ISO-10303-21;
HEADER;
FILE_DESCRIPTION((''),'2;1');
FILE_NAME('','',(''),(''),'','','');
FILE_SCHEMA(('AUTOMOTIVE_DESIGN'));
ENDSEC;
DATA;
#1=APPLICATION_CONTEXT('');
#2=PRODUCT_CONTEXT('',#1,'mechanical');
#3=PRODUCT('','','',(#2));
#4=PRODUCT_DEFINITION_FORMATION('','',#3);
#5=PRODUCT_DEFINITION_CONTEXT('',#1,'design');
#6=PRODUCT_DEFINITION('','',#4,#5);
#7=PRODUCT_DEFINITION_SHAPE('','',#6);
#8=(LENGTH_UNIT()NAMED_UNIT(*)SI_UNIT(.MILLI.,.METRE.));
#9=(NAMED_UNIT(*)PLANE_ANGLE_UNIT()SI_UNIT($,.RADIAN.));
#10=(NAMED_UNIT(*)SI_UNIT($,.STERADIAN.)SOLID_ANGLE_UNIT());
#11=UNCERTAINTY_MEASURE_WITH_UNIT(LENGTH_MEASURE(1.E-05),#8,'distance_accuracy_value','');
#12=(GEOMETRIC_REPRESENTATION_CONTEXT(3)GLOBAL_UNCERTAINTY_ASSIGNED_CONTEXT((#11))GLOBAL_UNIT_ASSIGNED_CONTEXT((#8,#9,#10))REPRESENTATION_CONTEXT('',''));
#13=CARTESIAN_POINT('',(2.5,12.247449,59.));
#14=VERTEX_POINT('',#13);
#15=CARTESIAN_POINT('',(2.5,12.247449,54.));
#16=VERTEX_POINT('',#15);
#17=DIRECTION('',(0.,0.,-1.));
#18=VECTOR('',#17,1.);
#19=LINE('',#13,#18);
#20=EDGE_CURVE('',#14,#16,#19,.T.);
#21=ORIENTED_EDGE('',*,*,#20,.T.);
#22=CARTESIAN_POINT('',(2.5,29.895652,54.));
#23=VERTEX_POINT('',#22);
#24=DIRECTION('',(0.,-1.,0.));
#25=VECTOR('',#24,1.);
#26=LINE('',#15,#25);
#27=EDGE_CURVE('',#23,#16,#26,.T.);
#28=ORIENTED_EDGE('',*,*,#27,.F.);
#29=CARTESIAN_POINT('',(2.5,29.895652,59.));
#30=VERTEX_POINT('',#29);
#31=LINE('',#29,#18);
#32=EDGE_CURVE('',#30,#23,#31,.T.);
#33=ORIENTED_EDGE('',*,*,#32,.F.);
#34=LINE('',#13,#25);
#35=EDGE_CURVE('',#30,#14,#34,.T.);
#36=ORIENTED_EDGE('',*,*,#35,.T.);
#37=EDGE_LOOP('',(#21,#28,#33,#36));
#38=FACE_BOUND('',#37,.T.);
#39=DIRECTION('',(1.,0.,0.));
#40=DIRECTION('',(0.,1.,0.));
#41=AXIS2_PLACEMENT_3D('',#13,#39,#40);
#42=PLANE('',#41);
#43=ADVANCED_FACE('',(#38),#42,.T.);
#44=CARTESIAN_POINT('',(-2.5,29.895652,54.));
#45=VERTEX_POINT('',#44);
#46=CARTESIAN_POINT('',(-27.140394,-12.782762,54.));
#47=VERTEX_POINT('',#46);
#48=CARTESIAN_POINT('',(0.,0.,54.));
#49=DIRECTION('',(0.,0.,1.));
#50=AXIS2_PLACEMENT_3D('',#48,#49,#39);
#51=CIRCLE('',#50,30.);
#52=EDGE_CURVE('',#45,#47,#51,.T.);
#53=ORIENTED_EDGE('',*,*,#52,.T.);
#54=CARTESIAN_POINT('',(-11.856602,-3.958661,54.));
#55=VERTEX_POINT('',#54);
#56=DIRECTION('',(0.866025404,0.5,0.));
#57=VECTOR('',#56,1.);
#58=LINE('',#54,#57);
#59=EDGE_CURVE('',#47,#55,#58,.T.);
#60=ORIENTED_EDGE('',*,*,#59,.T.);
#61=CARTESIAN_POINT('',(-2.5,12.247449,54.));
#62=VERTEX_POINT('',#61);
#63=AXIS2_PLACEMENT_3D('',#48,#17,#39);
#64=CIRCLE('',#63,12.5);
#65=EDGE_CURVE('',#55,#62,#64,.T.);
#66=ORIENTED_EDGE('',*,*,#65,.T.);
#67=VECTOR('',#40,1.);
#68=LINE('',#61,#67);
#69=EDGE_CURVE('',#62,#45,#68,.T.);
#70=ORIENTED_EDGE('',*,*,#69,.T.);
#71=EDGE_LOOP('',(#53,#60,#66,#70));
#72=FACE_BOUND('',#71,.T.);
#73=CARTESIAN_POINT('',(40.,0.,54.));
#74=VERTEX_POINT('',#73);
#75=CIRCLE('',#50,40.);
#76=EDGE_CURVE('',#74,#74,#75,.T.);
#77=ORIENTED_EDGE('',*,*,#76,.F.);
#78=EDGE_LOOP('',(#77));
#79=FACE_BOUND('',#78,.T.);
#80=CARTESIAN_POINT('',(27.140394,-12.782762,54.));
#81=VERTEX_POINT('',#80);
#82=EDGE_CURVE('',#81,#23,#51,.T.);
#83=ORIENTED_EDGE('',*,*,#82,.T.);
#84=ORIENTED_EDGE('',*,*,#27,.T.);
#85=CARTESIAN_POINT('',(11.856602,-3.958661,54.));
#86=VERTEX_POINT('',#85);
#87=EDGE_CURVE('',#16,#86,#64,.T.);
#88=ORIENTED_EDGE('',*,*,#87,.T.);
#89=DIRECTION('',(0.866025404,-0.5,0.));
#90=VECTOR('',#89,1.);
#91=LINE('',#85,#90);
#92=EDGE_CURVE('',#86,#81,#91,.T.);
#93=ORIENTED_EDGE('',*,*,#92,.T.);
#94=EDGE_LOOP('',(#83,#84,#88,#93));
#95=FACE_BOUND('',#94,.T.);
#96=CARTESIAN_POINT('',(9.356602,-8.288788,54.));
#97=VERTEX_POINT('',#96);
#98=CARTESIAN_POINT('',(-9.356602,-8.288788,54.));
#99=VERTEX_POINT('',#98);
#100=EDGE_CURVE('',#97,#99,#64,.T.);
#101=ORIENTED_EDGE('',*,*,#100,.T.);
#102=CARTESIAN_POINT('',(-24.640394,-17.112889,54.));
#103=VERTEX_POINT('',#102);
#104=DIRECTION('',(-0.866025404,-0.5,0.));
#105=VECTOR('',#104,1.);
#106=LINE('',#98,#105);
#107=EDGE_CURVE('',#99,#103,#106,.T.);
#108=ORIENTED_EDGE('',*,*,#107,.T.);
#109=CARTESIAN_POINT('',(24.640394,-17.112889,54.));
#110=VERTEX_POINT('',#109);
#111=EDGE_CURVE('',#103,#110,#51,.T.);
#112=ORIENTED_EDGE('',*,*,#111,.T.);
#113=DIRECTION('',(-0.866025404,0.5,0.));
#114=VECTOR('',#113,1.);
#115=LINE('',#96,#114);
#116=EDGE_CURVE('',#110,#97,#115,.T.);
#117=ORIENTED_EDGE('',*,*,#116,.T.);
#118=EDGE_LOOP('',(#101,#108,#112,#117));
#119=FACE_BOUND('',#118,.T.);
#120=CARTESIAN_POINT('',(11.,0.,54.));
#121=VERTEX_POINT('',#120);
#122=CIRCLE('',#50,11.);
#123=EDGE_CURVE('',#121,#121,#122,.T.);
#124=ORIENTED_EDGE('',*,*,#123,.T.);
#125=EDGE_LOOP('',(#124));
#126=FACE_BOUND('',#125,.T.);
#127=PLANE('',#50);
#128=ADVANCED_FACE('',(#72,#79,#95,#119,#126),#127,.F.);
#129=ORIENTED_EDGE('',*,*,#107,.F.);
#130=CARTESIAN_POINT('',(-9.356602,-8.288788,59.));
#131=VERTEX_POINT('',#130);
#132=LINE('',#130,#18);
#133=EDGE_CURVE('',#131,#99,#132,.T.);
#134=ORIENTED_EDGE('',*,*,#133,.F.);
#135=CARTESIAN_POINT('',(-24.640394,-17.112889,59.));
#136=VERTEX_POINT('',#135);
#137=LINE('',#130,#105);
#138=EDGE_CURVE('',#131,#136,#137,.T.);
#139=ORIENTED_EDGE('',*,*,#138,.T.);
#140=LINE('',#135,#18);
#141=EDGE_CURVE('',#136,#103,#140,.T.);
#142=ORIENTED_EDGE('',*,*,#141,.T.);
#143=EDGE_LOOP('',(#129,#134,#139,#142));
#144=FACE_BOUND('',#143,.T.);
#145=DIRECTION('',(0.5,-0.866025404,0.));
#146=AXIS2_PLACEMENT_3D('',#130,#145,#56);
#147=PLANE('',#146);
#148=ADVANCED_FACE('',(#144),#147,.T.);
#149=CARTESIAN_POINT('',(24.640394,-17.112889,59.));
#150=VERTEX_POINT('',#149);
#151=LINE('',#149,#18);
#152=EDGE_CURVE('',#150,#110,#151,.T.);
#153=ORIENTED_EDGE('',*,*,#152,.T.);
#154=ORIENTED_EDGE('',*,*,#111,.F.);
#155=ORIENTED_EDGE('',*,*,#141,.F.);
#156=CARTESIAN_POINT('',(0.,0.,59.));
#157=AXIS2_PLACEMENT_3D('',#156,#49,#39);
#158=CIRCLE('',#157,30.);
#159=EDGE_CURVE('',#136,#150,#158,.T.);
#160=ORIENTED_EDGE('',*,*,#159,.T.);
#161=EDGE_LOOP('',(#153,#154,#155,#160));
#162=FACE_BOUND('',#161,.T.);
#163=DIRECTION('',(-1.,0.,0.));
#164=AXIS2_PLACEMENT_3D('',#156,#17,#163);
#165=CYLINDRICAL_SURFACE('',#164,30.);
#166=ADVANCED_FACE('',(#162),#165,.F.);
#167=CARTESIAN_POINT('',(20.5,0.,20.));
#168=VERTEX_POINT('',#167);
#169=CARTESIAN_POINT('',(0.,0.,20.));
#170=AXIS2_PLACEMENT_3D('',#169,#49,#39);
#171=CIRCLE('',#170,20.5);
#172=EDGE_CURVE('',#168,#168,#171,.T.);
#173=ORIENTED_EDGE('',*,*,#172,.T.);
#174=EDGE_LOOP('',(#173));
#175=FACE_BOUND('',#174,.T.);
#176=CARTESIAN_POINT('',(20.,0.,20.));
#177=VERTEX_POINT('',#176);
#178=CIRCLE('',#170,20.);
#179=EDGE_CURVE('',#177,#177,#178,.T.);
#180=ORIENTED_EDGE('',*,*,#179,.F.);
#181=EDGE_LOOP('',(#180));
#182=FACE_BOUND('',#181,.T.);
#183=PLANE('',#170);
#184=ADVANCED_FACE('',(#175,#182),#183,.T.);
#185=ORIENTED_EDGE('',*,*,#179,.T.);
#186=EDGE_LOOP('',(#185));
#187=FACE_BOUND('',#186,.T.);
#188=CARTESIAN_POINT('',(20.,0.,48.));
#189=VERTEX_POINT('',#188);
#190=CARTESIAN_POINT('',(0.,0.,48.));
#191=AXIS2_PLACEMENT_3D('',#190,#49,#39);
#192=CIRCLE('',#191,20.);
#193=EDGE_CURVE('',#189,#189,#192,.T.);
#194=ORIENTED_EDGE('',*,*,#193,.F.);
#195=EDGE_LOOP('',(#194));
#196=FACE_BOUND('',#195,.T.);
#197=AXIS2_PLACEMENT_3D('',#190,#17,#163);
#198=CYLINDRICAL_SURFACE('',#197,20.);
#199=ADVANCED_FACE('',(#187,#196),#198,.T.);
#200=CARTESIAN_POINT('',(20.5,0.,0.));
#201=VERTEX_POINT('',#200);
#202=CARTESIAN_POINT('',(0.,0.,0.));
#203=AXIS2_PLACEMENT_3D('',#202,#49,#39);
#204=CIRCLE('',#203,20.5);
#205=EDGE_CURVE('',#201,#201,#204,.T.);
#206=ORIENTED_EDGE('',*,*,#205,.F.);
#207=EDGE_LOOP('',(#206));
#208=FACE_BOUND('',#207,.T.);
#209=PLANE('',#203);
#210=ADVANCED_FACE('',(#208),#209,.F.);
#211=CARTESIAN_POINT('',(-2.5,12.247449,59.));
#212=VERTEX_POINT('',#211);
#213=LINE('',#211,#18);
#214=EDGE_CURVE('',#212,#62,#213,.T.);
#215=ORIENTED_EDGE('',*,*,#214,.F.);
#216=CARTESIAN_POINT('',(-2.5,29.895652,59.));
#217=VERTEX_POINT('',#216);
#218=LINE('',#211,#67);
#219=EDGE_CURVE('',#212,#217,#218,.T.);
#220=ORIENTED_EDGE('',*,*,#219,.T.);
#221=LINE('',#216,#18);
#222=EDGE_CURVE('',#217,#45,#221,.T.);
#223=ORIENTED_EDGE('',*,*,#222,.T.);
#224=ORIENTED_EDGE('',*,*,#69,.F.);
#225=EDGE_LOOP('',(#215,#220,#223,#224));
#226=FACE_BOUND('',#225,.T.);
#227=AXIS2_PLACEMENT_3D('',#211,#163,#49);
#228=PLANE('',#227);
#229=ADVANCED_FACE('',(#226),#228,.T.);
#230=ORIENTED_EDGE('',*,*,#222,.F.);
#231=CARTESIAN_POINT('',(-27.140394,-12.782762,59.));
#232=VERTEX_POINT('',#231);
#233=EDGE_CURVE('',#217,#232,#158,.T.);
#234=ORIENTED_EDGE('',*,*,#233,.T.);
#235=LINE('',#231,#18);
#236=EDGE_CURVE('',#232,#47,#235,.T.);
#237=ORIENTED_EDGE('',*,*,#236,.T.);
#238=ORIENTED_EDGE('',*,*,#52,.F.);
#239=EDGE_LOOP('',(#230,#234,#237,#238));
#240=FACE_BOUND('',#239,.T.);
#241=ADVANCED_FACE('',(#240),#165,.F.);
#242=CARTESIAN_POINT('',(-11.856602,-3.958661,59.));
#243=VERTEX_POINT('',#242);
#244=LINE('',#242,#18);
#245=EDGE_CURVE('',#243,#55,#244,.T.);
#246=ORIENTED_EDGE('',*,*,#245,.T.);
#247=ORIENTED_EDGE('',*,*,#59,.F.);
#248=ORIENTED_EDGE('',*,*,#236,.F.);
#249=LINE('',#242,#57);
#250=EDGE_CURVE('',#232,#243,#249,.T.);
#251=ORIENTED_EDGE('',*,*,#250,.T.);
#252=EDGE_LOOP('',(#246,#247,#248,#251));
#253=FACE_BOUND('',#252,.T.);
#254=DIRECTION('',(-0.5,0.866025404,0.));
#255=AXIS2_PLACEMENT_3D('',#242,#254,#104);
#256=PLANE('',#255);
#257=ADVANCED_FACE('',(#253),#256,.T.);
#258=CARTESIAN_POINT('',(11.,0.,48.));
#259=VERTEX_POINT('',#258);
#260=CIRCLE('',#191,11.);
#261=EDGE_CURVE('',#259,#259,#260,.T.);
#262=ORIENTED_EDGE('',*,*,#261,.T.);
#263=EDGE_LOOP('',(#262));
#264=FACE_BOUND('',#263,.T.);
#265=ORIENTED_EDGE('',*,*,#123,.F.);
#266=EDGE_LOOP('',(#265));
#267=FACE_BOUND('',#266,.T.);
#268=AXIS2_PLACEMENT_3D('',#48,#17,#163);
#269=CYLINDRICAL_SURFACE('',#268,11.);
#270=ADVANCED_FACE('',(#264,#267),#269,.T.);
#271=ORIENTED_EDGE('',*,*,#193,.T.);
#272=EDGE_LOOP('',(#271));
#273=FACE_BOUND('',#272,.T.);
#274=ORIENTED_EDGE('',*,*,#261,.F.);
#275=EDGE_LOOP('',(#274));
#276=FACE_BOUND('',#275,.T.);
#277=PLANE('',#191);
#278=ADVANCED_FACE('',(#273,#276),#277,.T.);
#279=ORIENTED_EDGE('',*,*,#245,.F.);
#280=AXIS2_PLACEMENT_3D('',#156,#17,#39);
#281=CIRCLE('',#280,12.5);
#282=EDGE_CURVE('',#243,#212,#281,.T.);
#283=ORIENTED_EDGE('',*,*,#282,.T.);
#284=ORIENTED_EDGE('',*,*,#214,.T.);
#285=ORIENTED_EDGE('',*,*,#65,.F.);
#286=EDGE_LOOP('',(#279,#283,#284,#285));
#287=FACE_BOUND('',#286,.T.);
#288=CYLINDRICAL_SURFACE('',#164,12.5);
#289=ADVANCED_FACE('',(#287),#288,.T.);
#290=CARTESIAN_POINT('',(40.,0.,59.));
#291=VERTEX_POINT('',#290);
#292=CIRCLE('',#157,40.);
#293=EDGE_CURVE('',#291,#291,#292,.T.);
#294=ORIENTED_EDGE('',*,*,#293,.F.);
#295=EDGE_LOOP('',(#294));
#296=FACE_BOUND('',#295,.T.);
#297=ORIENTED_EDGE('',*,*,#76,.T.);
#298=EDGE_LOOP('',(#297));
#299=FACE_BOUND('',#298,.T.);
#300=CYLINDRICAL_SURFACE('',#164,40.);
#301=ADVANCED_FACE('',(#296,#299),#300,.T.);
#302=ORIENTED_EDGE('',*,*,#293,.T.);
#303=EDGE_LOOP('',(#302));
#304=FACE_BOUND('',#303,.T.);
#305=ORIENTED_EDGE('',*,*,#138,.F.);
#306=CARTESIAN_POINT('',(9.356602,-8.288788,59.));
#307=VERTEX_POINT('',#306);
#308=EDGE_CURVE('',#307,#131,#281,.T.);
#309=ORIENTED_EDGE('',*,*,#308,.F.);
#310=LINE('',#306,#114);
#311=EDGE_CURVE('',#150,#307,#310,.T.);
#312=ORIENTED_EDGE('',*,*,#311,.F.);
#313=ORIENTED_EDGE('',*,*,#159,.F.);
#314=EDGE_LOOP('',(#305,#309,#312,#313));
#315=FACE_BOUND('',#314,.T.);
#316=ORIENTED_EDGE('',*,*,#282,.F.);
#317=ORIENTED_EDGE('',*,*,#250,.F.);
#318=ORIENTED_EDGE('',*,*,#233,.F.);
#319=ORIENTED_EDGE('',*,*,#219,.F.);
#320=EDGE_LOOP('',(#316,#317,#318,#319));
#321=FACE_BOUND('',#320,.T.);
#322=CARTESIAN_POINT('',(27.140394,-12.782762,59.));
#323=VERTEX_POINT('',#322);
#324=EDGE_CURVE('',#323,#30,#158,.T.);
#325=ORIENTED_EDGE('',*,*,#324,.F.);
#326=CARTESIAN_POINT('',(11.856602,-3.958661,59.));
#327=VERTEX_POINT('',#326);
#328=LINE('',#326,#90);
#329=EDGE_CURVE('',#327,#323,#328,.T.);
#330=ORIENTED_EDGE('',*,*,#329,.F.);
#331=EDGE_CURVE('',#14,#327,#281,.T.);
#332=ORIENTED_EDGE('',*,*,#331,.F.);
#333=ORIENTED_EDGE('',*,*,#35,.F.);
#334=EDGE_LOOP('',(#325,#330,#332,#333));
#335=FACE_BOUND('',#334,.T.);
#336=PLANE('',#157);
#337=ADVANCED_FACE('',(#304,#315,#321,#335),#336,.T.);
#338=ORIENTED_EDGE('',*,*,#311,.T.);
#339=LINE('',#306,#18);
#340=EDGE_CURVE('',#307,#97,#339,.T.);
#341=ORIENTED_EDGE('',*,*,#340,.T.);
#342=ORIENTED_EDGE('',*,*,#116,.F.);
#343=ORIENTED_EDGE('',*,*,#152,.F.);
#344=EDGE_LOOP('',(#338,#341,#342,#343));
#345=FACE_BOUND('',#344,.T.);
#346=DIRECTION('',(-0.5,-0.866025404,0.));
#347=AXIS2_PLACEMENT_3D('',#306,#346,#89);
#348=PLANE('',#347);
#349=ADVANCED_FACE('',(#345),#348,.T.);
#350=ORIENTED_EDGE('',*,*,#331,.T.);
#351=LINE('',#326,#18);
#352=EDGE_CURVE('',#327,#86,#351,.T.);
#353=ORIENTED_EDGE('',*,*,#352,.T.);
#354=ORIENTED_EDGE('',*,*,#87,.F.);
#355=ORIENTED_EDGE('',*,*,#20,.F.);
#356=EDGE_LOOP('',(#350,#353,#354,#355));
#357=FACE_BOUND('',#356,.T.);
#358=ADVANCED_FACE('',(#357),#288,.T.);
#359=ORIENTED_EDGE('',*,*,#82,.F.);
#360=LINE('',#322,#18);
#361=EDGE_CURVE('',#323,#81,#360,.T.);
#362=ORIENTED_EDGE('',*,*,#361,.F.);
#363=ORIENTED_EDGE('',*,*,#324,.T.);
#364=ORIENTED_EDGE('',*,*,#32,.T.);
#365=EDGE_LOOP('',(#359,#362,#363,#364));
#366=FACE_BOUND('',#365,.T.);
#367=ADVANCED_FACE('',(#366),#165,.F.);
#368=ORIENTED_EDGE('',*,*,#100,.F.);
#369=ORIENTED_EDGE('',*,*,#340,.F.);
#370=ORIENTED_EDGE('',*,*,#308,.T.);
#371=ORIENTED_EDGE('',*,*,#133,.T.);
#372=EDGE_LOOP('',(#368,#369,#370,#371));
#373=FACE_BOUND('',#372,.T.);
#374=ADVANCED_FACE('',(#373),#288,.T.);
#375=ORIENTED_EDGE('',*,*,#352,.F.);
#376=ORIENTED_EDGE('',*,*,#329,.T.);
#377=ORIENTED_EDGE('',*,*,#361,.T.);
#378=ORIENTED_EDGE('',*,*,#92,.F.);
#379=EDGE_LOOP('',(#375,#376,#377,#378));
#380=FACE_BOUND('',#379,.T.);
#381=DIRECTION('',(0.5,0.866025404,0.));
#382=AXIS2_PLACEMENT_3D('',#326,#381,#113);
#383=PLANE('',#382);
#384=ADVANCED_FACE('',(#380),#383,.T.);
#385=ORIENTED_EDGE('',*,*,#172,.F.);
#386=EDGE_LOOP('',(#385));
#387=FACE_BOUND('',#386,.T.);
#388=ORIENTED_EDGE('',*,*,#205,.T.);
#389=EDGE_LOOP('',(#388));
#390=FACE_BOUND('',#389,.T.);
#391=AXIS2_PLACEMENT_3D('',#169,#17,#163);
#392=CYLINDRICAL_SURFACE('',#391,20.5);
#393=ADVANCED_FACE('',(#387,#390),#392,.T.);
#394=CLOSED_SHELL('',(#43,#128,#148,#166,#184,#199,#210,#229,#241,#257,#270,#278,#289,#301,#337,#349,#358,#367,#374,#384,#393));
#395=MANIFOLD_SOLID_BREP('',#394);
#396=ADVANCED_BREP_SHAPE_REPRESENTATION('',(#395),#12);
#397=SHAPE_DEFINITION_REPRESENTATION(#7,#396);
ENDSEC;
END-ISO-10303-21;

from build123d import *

# Parameters (mm, degrees)
SKETCH_1_R      = 20.5
EXTRUDE_1_DEPTH = 20
SKETCH_4_R      = 20
EXTRUDE_4_DEPTH = 28
SKETCH_2_R      = 11
EXTRUDE_2_DEPTH = 6
SKETCH_3_R      = 40
EXTRUDE_3_DEPTH = 5


with BuildPart() as part:
    # 草图1 → 凸台-拉伸1 (new body)
    with BuildSketch(Plane.XY):
        Circle(SKETCH_1_R)
    extrude(amount=EXTRUDE_1_DEPTH)

    # 草图4 → 凸台-拉伸4 (add)
    with BuildSketch(Plane.XY.offset(20)):
        Circle(SKETCH_4_R)
    extrude(amount=EXTRUDE_4_DEPTH)

    # 草图2 → 凸台-拉伸2 (add)
    with BuildSketch(Plane.XY.offset(48)):
        Circle(SKETCH_2_R)
    extrude(amount=EXTRUDE_2_DEPTH)

    # 草图3 → 凸台-拉伸3 (add)
    with BuildSketch(Plane.XY.offset(54)):
        Circle(SKETCH_3_R)
        with BuildLine():
            Line((-2.5, 12.247448714), (-2.5, 29.895651858))
            ThreePointArc((-2.5, 29.895651858), (-25.980762114, 15), (-27.140393972, -12.782762419))
            Line((-27.140393972, -12.782762419), (-11.856601718, -3.958660847))
            ThreePointArc((-11.856601718, -3.958660847), (-10.825317547, 6.25), (-2.5, 12.247448714))
        make_face(mode=Mode.SUBTRACT)
        with BuildLine():
            Line((11.856601718, -3.958660847), (27.140393972, -12.782762419))
            ThreePointArc((27.140393972, -12.782762419), (25.980762114, 15), (2.5, 29.895651858))
            Line((2.5, 29.895651858), (2.5, 12.247448714))
            ThreePointArc((2.5, 12.247448714), (10.825317547, 6.25), (11.856601718, -3.958660847))
        make_face(mode=Mode.SUBTRACT)
        with BuildLine():
            Line((9.356601718, -8.288787866), (24.640393972, -17.112889438))
            ThreePointArc((24.640393972, -17.112889438), (0, -30), (-24.640393972, -17.112889438))
            Line((-24.640393972, -17.112889438), (-9.356601718, -8.288787866))
            ThreePointArc((-9.356601718, -8.288787866), (0, -12.5), (9.356601718, -8.288787866))
        make_face(mode=Mode.SUBTRACT)
    extrude(amount=EXTRUDE_3_DEPTH)


solid = part.part
